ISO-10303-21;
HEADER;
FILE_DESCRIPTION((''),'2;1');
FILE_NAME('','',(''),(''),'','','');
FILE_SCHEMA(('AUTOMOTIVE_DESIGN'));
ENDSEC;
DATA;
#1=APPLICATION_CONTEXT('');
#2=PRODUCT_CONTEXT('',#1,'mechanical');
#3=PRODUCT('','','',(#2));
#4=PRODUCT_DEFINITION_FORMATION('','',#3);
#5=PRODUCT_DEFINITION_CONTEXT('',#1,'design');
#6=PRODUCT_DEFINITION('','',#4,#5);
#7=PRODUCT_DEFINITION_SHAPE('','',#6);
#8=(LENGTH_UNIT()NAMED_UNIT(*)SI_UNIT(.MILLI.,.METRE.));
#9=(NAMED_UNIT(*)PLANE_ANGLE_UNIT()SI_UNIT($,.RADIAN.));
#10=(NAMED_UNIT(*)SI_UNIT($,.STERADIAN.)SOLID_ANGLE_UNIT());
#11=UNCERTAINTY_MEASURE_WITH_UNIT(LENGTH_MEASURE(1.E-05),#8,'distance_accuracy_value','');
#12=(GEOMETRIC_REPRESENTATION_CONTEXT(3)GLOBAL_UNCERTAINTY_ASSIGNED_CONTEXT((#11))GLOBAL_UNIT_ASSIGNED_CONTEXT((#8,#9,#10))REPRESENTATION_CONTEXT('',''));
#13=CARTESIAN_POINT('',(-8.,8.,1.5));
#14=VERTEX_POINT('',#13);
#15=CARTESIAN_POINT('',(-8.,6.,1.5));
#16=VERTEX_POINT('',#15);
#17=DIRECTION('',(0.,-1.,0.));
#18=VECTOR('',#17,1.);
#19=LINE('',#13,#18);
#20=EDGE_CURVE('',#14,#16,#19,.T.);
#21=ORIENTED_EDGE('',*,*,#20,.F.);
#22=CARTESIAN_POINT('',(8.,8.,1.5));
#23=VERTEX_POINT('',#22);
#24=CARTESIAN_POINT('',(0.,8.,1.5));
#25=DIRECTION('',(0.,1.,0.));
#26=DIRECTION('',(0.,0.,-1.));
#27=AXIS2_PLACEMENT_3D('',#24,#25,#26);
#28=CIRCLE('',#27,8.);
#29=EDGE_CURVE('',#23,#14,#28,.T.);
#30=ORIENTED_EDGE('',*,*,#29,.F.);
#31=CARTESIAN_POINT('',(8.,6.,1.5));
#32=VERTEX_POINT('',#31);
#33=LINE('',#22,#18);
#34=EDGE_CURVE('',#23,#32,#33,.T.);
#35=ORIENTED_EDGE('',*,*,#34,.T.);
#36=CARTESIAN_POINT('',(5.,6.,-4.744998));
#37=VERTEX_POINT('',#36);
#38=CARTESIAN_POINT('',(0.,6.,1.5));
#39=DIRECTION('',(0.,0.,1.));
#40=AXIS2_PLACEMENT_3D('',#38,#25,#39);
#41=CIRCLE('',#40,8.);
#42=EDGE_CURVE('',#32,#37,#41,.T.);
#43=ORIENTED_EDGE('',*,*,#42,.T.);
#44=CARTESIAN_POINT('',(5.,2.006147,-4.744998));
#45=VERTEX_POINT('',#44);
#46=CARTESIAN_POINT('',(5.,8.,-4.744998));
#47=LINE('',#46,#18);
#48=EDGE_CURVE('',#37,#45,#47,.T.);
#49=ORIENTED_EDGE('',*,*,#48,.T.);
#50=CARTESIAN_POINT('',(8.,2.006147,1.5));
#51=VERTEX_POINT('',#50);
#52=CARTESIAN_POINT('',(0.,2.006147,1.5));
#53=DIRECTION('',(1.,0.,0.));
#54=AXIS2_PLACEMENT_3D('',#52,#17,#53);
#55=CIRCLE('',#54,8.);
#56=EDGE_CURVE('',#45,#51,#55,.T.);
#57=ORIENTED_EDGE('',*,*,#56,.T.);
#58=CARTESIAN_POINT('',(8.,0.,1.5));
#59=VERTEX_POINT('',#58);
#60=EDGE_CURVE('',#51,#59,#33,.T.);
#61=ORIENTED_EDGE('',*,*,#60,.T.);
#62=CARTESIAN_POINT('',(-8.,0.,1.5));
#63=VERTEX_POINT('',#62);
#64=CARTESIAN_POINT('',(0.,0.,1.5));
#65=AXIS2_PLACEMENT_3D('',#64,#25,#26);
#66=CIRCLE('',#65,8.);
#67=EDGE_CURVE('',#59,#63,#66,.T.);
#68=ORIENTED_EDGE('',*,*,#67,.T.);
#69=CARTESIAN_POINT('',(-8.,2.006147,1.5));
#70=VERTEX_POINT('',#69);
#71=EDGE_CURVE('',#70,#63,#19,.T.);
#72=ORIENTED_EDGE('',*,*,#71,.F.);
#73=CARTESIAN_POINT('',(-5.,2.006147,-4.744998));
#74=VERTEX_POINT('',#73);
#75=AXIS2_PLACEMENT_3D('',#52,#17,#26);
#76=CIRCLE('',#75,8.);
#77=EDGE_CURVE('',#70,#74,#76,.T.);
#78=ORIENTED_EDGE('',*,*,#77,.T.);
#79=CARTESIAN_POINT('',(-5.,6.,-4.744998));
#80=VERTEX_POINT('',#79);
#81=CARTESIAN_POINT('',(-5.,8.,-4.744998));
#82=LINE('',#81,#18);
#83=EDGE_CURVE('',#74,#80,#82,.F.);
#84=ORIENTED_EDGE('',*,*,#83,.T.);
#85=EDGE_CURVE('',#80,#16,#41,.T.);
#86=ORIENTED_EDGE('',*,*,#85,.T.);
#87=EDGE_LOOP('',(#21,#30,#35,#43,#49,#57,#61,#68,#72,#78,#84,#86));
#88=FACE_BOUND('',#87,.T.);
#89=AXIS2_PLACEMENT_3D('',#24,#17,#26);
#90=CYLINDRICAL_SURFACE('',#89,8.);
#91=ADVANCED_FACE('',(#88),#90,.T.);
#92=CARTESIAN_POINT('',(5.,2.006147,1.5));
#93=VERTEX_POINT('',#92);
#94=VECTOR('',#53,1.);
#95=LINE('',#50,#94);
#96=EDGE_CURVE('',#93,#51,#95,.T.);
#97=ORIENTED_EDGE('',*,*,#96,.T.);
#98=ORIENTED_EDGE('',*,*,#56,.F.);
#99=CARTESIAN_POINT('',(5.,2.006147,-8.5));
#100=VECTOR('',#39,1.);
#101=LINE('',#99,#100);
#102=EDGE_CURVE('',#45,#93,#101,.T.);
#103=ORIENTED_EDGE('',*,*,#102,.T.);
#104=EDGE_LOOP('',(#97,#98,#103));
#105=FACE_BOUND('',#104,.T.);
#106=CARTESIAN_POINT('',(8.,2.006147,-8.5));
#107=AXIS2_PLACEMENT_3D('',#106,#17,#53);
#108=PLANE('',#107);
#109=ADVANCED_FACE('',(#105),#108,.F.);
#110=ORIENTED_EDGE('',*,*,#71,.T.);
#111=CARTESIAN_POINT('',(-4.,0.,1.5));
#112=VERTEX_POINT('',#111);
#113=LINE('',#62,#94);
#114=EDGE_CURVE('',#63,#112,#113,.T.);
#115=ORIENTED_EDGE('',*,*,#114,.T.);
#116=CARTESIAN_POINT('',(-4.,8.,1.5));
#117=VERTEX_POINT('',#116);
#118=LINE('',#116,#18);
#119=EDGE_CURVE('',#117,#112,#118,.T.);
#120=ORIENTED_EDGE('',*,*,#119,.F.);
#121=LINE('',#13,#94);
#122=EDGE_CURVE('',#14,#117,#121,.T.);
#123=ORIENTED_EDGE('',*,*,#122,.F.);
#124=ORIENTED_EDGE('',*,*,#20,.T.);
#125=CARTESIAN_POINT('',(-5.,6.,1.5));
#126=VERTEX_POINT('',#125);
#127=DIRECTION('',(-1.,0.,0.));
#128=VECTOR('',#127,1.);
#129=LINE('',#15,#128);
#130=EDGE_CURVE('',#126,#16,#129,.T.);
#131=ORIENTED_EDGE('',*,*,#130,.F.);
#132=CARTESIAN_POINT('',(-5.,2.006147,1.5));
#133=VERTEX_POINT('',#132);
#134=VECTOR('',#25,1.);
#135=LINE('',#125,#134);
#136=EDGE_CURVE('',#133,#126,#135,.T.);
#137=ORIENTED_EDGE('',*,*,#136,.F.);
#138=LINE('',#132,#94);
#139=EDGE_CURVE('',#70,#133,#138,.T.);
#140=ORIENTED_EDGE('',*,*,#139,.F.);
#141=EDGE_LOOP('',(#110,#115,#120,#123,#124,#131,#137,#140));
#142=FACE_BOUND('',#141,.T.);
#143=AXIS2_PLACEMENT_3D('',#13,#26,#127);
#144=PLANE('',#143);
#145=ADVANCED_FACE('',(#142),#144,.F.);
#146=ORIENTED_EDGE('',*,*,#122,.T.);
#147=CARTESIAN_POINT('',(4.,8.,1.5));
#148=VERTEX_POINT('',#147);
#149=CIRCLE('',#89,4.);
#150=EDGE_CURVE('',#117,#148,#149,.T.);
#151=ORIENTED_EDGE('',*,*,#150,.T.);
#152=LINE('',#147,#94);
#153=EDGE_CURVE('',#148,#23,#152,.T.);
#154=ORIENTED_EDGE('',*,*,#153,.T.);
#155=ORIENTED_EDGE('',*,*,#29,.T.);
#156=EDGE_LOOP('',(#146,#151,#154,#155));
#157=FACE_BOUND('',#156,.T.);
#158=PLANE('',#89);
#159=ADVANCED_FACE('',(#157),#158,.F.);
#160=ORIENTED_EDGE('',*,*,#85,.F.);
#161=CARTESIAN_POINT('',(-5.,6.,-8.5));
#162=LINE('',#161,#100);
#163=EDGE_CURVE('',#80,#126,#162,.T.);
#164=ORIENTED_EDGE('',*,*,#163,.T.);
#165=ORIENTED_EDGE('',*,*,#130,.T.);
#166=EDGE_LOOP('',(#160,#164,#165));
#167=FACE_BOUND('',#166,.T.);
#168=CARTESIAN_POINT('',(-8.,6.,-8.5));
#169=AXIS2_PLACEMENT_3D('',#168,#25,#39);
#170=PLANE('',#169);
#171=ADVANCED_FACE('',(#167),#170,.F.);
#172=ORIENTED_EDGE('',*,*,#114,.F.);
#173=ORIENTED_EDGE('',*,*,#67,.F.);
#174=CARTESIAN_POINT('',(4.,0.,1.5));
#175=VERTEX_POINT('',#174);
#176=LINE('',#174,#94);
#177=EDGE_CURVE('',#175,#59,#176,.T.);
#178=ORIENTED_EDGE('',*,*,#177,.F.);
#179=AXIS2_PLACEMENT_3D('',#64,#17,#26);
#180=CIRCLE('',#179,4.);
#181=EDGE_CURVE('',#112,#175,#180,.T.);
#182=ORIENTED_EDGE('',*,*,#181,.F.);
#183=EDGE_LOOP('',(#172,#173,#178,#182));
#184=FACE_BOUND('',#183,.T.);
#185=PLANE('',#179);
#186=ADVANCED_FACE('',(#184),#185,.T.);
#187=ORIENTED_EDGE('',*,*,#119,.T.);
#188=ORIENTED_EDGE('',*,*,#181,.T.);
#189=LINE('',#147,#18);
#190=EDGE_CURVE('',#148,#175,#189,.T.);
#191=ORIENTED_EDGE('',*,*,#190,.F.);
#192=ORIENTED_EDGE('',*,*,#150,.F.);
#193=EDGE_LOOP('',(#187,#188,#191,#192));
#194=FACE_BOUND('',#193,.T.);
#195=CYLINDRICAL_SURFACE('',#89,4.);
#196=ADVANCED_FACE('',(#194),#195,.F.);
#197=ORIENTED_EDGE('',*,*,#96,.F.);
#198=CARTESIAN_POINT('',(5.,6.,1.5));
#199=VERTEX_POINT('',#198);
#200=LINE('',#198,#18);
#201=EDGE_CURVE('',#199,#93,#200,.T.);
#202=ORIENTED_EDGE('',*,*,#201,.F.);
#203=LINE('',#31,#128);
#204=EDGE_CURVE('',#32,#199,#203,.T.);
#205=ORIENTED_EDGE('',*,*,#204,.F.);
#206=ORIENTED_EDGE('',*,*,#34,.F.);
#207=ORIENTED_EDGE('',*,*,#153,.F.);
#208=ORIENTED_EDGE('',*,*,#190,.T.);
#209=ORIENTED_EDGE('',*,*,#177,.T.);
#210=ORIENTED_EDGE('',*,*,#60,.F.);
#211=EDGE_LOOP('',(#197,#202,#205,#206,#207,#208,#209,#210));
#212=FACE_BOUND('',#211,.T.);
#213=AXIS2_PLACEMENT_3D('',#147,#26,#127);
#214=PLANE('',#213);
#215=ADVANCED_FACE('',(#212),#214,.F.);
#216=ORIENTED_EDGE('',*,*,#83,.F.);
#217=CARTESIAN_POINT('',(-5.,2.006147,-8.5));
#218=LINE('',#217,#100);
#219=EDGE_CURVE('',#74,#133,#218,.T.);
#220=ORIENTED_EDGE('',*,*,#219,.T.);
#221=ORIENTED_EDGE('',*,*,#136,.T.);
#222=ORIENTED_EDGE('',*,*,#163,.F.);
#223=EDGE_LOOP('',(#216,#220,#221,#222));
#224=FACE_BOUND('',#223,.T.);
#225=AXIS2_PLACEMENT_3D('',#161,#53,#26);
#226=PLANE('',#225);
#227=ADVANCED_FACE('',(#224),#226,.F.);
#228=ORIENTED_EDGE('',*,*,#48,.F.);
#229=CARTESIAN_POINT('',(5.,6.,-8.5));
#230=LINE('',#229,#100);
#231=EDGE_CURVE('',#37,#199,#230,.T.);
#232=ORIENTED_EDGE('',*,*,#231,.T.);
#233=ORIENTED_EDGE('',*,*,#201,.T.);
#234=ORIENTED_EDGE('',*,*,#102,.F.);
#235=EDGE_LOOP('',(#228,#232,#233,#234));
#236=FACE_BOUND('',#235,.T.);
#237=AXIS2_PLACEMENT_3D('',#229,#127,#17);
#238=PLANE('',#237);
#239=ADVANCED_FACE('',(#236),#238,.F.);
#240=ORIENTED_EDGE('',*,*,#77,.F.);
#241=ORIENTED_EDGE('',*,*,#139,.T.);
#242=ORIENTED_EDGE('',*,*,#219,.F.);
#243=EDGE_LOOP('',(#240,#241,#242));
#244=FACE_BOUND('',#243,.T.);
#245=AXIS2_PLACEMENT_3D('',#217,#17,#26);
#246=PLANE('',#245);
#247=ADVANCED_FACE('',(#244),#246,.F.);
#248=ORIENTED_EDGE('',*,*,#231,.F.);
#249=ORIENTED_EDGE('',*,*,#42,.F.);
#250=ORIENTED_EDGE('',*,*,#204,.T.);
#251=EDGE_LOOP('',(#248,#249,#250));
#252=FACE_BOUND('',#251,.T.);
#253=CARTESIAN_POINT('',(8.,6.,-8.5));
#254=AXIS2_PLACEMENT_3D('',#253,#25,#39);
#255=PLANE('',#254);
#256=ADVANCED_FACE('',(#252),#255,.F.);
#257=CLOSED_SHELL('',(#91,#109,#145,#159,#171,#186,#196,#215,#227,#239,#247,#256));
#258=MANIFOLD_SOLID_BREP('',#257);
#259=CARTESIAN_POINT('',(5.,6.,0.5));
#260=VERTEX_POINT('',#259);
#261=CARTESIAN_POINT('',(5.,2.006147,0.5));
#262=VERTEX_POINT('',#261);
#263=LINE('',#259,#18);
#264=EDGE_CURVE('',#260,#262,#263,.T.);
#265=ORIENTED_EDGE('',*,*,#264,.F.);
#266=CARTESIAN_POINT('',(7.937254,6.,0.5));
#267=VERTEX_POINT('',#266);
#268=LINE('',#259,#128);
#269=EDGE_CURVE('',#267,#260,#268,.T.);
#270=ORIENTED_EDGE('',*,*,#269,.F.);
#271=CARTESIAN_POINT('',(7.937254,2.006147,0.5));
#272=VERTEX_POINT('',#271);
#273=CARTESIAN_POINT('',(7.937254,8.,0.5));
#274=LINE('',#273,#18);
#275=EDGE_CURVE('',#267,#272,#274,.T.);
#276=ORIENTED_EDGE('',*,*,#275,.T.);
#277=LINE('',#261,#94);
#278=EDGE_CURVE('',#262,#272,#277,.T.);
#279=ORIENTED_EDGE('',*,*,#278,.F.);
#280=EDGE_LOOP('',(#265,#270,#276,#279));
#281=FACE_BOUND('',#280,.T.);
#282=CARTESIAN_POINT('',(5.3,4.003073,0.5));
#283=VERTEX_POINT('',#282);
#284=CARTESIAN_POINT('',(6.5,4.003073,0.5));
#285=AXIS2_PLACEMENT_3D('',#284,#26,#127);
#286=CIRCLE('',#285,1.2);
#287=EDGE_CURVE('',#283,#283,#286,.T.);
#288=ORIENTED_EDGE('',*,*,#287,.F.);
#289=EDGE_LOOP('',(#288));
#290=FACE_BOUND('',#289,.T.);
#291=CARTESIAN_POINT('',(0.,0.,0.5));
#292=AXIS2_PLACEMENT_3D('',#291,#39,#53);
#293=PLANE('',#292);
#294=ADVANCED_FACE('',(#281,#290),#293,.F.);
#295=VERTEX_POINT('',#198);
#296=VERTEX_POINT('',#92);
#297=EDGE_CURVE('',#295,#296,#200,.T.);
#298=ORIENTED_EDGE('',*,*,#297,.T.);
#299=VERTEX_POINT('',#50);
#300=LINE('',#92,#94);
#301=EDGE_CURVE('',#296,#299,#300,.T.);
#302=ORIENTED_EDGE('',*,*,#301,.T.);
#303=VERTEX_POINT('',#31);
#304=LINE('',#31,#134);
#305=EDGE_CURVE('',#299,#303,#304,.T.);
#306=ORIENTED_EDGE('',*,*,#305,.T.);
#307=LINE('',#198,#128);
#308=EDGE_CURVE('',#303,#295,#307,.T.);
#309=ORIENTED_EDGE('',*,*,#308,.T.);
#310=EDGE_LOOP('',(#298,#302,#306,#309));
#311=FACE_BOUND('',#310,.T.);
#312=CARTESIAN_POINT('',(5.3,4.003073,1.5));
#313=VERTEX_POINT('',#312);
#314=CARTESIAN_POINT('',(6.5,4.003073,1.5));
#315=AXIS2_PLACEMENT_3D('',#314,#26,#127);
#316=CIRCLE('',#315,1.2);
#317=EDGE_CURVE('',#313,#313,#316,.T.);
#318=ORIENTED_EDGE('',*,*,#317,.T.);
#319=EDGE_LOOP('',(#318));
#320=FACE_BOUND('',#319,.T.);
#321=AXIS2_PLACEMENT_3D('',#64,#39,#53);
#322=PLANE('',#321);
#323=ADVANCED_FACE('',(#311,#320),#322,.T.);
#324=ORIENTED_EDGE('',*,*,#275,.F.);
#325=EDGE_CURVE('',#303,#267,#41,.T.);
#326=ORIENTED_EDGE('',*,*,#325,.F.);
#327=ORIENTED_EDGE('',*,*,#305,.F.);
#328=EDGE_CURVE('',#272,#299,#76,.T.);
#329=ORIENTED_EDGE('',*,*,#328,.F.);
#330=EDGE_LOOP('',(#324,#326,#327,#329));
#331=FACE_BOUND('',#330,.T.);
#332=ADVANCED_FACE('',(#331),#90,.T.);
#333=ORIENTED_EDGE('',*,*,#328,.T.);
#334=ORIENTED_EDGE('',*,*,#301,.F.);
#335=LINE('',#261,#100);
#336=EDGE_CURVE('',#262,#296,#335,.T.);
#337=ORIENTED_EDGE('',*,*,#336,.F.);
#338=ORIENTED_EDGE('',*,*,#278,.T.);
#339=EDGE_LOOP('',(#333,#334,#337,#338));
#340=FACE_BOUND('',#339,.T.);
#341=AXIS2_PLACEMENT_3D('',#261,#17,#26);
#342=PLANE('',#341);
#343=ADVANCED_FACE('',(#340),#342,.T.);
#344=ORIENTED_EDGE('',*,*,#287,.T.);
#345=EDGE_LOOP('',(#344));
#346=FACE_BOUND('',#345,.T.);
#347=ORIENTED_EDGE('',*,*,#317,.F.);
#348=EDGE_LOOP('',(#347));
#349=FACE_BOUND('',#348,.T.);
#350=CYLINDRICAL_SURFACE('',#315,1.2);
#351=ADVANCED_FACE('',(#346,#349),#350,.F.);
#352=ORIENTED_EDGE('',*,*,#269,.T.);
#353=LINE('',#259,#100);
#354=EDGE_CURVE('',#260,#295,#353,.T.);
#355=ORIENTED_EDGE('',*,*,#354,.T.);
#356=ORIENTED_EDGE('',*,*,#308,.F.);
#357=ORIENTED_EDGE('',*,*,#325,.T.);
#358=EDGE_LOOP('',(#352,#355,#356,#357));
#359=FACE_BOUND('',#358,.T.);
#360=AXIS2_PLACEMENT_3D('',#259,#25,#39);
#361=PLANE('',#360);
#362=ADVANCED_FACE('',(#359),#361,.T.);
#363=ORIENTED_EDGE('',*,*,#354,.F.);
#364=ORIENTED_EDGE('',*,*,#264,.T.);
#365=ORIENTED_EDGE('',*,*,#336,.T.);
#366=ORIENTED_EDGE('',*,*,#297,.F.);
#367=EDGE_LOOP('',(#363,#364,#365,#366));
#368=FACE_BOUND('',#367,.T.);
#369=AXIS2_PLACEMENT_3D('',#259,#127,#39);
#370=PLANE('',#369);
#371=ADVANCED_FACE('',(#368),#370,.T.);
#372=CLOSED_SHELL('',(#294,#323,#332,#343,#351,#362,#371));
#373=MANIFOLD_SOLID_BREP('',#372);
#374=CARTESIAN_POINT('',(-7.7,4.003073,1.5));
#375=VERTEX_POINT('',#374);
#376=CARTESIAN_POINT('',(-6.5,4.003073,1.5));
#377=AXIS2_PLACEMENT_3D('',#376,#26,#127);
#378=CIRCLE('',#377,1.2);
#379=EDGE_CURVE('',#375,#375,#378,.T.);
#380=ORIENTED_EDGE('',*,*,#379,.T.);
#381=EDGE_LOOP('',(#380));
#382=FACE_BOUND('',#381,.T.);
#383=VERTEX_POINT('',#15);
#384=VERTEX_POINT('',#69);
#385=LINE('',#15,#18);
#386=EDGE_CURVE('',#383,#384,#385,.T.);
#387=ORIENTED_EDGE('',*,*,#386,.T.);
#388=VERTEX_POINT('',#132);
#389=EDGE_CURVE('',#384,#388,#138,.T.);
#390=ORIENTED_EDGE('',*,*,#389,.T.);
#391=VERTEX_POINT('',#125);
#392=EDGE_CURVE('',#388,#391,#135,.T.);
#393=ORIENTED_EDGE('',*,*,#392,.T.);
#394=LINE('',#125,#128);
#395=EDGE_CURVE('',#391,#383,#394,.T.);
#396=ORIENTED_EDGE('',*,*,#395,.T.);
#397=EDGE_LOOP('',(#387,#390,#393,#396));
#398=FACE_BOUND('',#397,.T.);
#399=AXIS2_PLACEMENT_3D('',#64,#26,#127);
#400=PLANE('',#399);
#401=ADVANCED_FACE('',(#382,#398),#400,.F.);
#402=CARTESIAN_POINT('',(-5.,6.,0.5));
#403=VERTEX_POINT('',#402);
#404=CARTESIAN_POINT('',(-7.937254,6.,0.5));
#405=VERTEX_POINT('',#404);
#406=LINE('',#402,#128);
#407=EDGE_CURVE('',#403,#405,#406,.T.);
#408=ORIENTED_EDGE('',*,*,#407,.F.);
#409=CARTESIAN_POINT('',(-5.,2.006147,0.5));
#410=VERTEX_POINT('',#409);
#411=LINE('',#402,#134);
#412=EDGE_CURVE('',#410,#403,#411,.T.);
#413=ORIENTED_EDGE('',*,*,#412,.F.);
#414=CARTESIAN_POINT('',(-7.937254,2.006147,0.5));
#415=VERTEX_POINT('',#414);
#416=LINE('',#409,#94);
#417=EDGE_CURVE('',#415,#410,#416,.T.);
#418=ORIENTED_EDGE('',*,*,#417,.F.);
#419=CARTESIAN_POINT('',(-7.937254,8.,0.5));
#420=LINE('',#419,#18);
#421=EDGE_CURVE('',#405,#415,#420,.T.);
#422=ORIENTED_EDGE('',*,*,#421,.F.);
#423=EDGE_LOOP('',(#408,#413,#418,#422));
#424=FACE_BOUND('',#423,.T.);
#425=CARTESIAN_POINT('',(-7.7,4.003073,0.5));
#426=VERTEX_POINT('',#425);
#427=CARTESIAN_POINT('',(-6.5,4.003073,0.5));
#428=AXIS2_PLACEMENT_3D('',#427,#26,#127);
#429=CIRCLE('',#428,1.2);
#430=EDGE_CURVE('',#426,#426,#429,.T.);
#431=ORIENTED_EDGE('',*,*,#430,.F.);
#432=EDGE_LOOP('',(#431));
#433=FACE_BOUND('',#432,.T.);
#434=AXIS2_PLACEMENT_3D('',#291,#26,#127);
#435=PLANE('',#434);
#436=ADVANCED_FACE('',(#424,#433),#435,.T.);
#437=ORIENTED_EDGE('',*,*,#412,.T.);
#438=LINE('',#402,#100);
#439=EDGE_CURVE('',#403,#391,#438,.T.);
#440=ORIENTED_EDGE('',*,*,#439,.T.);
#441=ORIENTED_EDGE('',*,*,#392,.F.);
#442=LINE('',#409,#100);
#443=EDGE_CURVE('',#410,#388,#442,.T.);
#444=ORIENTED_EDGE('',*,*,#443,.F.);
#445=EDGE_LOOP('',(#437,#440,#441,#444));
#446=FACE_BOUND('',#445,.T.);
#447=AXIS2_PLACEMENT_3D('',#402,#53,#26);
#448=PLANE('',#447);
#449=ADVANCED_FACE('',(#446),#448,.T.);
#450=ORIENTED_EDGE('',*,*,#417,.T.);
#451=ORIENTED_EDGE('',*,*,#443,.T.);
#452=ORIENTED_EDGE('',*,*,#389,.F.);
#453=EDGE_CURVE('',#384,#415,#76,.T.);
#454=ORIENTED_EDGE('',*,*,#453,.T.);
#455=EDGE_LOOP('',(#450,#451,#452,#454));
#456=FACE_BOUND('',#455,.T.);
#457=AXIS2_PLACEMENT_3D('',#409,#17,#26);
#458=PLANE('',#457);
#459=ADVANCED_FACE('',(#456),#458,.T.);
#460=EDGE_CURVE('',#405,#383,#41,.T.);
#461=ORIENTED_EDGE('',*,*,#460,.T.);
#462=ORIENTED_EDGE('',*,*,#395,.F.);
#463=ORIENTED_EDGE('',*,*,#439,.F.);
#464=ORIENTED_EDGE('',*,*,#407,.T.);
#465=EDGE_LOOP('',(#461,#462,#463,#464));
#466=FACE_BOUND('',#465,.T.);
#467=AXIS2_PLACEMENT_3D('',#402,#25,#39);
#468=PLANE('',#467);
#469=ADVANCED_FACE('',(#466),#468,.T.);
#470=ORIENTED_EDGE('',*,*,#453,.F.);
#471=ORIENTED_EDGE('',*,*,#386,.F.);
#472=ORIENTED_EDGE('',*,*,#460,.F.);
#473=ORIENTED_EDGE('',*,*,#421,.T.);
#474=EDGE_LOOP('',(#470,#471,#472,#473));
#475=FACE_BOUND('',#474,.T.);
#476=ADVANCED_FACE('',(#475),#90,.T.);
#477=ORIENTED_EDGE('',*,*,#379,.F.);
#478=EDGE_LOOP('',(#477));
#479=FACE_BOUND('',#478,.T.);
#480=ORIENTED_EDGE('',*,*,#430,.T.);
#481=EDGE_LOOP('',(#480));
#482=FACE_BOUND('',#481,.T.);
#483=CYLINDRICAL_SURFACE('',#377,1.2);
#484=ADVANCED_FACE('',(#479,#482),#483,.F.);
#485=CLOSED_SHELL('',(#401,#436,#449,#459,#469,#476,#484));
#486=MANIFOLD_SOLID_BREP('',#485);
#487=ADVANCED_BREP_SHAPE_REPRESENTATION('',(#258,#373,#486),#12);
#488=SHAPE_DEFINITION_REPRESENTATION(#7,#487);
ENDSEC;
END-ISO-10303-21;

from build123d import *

# Parameters (mm, degrees)
BOSS_EXTRUDE1_DEPTH   = 8
SKETCH2_W             = 3
SKETCH2_H             = 3.993853132
CUT_EXTRUDE1_DEPTH    = 10
SKETCH3_W             = 3
SKETCH3_H             = 3.993853132
BOSS_EXTRUDE2_DEPTH   = 1
BOSS_EXTRUDE2_2_DEPTH = 1
CUT_EXTRUDE2_DEPTH    = 8
SKETCH5_R             = 1.2
CUT_EXTRUDE3_DEPTH    = 1


with BuildPart() as part:
    # Sketch1 → Boss-Extrude1 (new body)
    with BuildSketch(Plane(origin=(0, 0, 0), x_dir=(1, 0, 0), z_dir=(0, 1, 0))):
        with BuildLine():
            Line((-8, -1.5), (-4, -1.5))
            ThreePointArc((-4, -1.5), (0, 2.5), (4, -1.5))
            Line((4, -1.5), (8, -1.5))
            ThreePointArc((8, -1.5), (0, 6.5), (-8, -1.5))
        make_face()
    extrude(amount=BOSS_EXTRUDE1_DEPTH)

    # Sketch2 → Cut-Extrude1 (cut)
    with BuildSketch(Plane.XY.offset(1.5)):
        Polygon((-8, 4), (-8, 6), (-5, 6), (-5, 2.006146868), (-8, 2.006146868), align=None)
        with Locations((6.5, 4.003073434)):
            Rectangle(SKETCH2_W, SKETCH2_H)
    extrude(amount=-CUT_EXTRUDE1_DEPTH, mode=Mode.SUBTRACT)


with BuildPart() as body_2:
    # Sketch3 → Boss-Extrude2 (new body)
    with BuildSketch(Plane.XY.offset(1.5)):
        with Locations((-6.5, 4.003073434)):
            Rectangle(SKETCH3_W, SKETCH3_H)
    extrude(amount=-BOSS_EXTRUDE2_DEPTH)


with BuildPart() as body_3:
    # Sketch3 → Boss-Extrude2 2 (new body)
    with BuildSketch(Plane.XY.offset(1.5)):
        with Locations((6.5, 4.003073434)):
            Rectangle(SKETCH3_W, SKETCH3_H)
    extrude(amount=-BOSS_EXTRUDE2_2_DEPTH)


with BuildPart() as cut_extrude2_tool:
    # Sketch4 → Cut-Extrude2 (new body)
    with BuildSketch(Plane.XZ):
        with BuildLine():
            ThreePointArc((-7.937253933, 0.5), (-7.984298074, 0.9990167), (-8, 1.5))
            Line((-8, 1.5), (-8, 0.5))
            Line((-8, 0.5), (-7.937253933, 0.5))
        make_face()
        with BuildLine():
            ThreePointArc((8, 1.5), (7.984298074, 0.9990167), (7.937253933, 0.5))
            Line((7.937253933, 0.5), (8, 0.5))
            Line((8, 0.5), (8, 1.5))
        make_face()
    extrude(amount=-CUT_EXTRUDE2_DEPTH)


with BuildPart() as body_2_1:
    add(body_2.part)

    # Cut-Extrude2: cut by cut_extrude2_tool
    add(cut_extrude2_tool.part, mode=Mode.SUBTRACT)


with BuildPart() as body_3_1:
    add(body_3.part)

    # Cut-Extrude2: cut by cut_extrude2_tool
    add(cut_extrude2_tool.part, mode=Mode.SUBTRACT)


with BuildPart() as cut_extrude3_tool:
    # Sketch5 → Cut-Extrude3 (new body)
    with BuildSketch(Plane(origin=(0, 0, 0.5), x_dir=(-1, 0, 0), z_dir=(0, 0, -1))):
        with Locations((6.5, 4.003073434)):
            Circle(SKETCH5_R)
        with Locations((-6.5, 4.003073434)):
            Circle(SKETCH5_R)
    extrude(amount=-CUT_EXTRUDE3_DEPTH)


with BuildPart() as body_2_2:
    add(body_2_1.part)

    # Cut-Extrude3: cut by cut_extrude3_tool
    add(cut_extrude3_tool.part, mode=Mode.SUBTRACT)


with BuildPart() as body_3_2:
    add(body_3_1.part)

    # Cut-Extrude3: cut by cut_extrude3_tool
    add(cut_extrude3_tool.part, mode=Mode.SUBTRACT)


solid = Compound([part.part, body_2_2.part, body_3_2.part])
